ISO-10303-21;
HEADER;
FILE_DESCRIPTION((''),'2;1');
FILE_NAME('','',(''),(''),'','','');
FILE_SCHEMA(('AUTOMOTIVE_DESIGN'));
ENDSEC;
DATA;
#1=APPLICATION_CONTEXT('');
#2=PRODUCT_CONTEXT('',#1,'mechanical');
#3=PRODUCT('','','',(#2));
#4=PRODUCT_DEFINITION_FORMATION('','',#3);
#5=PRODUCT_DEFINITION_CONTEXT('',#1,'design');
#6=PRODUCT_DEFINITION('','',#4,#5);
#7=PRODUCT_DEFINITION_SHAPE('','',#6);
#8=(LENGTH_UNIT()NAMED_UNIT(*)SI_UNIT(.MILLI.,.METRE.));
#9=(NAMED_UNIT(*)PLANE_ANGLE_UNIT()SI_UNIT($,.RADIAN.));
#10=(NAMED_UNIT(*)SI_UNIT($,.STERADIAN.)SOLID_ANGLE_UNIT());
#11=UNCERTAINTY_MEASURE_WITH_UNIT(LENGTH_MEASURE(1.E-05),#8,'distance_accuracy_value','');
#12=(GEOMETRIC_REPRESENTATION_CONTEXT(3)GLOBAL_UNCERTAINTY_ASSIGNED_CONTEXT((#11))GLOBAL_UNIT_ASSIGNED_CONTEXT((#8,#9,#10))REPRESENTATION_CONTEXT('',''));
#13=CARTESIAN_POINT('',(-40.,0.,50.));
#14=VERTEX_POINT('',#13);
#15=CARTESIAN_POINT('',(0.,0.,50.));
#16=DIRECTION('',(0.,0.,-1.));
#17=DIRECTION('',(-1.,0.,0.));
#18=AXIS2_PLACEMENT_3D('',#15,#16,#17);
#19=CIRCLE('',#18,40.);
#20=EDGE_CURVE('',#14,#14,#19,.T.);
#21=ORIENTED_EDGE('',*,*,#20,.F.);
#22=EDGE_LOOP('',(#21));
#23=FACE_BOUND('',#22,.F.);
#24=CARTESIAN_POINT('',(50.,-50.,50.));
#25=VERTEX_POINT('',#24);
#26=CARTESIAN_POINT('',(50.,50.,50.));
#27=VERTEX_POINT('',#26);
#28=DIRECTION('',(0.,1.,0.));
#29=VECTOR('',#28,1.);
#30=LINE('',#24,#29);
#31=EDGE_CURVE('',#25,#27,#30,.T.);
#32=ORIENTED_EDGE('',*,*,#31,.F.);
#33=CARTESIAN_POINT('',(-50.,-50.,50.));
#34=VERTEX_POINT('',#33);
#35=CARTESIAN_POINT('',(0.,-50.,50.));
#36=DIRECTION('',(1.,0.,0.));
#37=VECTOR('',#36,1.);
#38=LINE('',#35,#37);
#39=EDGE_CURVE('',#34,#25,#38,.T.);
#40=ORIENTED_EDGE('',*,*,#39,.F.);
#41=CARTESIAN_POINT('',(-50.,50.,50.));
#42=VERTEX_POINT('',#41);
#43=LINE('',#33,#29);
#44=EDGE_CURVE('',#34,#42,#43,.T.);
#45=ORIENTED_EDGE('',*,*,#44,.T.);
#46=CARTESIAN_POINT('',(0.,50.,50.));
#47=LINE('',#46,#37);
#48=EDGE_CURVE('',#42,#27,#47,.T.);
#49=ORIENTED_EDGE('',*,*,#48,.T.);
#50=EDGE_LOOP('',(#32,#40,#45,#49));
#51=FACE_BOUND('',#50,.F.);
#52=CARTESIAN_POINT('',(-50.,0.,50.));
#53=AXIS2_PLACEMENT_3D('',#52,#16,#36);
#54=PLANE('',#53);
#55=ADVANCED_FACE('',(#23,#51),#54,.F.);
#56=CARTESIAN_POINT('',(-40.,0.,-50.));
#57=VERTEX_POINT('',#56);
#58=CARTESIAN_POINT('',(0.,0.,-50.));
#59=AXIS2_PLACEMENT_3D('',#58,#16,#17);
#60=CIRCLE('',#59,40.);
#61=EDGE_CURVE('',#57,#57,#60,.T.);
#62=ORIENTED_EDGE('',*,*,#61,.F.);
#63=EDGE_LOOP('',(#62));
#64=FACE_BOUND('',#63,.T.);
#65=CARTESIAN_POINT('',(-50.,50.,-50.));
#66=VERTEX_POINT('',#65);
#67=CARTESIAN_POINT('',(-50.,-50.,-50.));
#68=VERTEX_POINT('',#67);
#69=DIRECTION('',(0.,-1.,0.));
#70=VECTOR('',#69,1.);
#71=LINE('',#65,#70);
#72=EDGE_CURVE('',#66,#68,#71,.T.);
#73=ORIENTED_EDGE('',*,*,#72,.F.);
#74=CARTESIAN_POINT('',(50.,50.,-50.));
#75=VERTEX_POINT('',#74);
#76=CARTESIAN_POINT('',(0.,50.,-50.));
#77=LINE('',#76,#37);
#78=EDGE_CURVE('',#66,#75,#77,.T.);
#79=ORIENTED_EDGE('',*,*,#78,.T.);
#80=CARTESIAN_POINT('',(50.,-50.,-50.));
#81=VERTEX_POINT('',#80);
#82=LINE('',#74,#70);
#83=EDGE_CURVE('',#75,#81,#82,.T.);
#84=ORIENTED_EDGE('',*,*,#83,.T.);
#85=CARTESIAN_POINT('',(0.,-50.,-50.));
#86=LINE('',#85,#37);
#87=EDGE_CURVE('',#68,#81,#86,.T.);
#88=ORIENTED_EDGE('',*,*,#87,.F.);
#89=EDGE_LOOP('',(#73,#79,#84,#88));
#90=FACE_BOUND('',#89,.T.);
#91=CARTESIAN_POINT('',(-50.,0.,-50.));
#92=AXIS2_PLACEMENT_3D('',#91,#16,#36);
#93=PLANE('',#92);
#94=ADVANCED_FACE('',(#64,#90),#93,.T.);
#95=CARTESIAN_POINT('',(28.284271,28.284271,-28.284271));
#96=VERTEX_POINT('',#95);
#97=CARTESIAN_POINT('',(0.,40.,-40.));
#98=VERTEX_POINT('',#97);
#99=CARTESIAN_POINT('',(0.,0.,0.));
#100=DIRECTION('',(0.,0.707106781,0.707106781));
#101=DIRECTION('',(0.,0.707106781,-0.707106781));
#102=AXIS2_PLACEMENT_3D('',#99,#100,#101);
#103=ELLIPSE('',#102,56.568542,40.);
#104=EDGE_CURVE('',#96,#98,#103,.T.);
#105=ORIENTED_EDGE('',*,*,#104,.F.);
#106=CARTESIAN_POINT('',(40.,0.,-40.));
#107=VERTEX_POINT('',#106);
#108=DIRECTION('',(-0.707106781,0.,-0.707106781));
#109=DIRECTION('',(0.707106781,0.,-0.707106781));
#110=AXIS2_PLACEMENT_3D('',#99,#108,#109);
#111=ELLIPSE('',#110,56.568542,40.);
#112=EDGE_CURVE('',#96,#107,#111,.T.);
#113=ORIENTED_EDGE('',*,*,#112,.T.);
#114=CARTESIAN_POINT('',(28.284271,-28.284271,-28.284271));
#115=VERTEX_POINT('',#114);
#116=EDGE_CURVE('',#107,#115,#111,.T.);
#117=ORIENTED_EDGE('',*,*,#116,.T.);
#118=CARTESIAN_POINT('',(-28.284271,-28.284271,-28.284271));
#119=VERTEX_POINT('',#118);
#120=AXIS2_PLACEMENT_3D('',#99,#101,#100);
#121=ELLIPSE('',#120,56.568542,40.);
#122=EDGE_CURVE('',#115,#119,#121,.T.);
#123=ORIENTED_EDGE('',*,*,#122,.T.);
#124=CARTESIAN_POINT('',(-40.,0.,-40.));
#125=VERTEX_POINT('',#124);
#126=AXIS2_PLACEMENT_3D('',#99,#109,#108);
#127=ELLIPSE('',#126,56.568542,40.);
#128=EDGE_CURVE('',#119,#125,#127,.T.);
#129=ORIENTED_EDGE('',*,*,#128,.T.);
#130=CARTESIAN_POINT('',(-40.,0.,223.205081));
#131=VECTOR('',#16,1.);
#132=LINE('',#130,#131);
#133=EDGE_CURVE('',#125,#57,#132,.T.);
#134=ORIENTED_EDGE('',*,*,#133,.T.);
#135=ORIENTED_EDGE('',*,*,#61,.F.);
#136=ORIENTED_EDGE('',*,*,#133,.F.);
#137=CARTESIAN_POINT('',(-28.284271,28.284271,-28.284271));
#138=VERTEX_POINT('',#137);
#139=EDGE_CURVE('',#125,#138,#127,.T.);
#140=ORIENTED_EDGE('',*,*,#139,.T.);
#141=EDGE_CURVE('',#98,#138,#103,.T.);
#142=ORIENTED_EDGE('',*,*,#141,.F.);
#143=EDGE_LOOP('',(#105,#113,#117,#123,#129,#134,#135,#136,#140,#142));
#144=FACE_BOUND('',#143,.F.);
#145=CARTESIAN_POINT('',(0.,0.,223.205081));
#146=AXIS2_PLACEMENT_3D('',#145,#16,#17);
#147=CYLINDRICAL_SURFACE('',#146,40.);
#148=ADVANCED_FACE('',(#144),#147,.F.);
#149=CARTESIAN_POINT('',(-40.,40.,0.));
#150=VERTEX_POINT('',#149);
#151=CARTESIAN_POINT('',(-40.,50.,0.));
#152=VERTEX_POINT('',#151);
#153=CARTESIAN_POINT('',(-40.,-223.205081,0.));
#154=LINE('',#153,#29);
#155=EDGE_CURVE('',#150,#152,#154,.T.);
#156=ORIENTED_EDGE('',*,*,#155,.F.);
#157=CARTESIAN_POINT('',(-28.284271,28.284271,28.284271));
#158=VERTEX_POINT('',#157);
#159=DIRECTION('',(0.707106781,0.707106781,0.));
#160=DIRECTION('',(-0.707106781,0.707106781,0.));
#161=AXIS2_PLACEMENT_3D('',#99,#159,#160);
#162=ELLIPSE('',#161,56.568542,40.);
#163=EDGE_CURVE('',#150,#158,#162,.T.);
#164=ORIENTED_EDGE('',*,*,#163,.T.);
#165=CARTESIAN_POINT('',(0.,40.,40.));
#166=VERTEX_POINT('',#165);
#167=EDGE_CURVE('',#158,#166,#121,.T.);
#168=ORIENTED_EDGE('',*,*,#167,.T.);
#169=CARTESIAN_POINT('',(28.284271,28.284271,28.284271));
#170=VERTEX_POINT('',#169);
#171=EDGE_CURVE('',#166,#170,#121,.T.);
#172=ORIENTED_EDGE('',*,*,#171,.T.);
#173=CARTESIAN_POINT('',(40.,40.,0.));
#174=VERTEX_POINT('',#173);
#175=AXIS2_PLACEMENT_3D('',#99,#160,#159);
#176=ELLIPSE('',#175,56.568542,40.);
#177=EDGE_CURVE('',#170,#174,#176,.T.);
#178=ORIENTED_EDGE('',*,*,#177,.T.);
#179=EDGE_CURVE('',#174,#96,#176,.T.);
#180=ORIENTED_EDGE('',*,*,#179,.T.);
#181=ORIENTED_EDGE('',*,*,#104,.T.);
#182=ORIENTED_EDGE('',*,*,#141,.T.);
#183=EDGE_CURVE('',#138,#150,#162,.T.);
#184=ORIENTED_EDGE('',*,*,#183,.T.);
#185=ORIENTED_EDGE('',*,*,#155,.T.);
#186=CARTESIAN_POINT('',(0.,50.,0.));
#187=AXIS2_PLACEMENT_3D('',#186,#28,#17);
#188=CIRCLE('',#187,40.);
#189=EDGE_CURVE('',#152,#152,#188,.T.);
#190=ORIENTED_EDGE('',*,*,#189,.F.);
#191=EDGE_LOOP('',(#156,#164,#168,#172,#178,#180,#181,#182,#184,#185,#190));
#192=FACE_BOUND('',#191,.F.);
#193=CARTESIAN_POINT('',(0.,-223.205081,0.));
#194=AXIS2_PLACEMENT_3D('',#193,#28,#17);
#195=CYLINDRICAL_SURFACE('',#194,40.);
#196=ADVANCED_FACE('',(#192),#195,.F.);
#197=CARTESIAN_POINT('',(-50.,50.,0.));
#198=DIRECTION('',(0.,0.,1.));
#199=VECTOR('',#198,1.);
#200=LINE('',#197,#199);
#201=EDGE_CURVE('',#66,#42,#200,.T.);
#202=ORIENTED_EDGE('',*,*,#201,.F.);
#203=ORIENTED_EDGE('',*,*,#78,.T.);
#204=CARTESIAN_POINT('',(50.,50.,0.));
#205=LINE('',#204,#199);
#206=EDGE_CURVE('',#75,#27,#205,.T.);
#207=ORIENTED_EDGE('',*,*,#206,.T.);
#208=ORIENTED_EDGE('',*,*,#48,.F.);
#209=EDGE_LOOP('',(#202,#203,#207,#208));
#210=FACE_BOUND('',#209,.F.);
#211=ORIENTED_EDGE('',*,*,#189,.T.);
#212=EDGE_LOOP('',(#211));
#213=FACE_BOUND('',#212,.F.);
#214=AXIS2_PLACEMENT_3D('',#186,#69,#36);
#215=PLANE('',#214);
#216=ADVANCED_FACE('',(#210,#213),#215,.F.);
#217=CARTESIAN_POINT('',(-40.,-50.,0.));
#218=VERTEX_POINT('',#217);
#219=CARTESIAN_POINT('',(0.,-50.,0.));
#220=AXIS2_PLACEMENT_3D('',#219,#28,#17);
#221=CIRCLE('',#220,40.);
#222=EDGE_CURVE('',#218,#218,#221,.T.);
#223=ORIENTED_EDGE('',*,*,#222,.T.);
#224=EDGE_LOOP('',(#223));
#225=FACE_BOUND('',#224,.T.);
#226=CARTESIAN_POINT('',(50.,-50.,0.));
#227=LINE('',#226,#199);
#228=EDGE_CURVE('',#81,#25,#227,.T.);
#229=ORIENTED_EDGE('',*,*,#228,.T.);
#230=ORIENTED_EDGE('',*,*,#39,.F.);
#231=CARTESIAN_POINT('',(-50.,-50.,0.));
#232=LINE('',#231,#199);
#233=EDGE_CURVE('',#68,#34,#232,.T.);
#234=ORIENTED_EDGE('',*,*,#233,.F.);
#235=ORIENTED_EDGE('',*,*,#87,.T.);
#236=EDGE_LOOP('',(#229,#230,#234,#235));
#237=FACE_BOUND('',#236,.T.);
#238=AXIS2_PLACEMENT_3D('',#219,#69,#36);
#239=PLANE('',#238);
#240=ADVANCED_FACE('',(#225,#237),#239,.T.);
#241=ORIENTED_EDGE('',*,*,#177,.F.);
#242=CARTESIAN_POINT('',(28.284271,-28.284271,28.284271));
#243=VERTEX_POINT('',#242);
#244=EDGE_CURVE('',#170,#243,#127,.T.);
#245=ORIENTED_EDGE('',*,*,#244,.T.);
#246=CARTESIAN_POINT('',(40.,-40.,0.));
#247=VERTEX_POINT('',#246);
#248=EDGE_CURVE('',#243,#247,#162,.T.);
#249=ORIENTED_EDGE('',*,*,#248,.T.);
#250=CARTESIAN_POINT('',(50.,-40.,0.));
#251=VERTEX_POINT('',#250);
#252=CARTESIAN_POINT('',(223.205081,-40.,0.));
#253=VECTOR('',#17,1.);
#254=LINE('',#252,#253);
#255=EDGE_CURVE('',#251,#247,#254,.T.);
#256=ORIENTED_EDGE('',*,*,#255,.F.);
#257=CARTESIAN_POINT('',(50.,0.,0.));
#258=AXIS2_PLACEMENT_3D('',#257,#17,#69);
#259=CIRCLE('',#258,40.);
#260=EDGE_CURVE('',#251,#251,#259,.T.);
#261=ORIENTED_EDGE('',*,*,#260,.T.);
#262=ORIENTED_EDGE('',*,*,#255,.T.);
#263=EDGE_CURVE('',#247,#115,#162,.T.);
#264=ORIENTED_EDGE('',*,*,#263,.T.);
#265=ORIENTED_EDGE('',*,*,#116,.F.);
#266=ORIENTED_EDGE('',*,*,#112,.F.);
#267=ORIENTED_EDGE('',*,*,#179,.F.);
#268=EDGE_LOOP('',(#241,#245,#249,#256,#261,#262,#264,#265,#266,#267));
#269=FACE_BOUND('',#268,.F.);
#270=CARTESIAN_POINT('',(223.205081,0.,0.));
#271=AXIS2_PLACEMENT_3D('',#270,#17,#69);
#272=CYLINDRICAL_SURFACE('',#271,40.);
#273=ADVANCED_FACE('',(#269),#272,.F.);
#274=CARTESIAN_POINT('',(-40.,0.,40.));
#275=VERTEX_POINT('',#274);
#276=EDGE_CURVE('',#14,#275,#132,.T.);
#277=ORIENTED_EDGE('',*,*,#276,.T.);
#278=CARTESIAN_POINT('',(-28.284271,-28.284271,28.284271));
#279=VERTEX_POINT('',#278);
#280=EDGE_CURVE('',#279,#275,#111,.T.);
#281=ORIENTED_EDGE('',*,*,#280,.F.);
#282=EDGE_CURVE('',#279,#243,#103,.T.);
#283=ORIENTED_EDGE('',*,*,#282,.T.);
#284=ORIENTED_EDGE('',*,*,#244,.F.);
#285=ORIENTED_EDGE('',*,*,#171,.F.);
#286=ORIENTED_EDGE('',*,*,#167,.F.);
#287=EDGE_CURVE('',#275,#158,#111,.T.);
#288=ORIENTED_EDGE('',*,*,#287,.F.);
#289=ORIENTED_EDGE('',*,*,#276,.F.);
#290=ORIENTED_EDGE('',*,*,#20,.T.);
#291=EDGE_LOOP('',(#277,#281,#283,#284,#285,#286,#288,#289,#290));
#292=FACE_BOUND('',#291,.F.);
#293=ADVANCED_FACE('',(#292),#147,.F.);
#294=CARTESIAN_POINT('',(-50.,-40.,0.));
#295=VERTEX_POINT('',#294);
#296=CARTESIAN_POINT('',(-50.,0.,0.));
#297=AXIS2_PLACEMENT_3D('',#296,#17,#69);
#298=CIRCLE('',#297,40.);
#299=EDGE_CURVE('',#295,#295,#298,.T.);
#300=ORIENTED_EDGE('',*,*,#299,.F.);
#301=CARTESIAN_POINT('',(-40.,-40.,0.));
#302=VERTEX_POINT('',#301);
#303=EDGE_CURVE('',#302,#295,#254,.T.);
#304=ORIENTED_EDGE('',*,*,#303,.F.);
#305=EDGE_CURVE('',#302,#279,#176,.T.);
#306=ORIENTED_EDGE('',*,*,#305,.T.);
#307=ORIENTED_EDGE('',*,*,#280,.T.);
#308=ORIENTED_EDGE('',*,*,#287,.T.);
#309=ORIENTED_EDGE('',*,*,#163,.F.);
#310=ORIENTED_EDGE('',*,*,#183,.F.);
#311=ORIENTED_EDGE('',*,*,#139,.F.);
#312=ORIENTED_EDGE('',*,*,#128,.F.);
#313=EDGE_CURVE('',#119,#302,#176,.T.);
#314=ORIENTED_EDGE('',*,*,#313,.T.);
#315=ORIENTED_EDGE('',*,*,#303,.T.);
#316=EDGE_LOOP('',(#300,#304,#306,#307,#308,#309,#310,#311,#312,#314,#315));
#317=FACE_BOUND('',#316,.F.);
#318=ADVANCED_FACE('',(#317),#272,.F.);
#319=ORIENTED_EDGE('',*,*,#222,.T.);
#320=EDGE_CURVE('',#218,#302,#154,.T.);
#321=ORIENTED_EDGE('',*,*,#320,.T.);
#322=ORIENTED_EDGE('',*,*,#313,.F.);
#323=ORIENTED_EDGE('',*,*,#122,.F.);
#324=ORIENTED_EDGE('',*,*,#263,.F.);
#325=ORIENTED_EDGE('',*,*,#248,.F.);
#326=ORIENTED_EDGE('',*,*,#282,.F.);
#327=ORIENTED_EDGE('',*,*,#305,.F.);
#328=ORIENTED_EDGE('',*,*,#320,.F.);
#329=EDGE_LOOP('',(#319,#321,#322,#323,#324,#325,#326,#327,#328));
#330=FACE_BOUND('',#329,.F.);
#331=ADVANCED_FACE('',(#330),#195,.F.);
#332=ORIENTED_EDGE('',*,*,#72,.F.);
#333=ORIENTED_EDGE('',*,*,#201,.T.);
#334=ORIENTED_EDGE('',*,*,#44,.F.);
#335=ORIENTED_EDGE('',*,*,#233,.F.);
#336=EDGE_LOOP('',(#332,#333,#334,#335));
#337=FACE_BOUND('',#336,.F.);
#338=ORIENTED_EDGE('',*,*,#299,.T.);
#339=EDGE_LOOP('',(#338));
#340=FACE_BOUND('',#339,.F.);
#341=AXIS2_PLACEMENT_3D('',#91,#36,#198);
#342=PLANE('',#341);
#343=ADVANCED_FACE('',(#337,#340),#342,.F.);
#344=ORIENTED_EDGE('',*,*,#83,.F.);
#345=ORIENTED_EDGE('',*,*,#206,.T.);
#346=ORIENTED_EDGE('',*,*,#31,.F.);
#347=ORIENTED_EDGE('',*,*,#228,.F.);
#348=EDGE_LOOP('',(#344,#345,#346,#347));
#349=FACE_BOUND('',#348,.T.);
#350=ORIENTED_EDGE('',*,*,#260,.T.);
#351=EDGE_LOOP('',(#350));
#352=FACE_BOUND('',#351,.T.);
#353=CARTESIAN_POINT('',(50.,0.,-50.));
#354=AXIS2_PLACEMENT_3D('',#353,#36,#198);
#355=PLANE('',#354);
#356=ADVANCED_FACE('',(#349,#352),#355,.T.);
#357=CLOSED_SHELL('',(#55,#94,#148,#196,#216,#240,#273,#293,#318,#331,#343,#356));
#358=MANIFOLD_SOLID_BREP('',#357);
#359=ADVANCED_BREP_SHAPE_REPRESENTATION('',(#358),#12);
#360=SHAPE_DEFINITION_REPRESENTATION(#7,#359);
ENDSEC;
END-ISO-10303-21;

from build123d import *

# Parameters (mm, degrees)
F0_W       = 100
F0_H       = 100
F1_DEPTH   = 50
F5_D       = 80
F5_ON_F4_D = 80
F5_ON_F3_D = 80


with BuildPart() as f1:
    # F0 (on Front) → F1 (new body, symmetric)
    with BuildSketch(Plane.XZ):
        Rectangle(F0_W, F0_H)
    extrude(amount=F1_DEPTH, both=True)

    # F5 (through all)
    with Locations(Plane.XZ.offset(50)):
        with Locations((0, 0)):
            Hole(F5_D / 2)

    # F5 on F4 (through all)
    with Locations(Plane.XY.offset(50)):
        with Locations((0, 0)):
            Hole(F5_ON_F4_D / 2)

    # F5 on F3 (through all)
    with Locations(Plane.YZ.offset(50)):
        with Locations((0, 0)):
            Hole(F5_ON_F3_D / 2)


solid = f1.part
